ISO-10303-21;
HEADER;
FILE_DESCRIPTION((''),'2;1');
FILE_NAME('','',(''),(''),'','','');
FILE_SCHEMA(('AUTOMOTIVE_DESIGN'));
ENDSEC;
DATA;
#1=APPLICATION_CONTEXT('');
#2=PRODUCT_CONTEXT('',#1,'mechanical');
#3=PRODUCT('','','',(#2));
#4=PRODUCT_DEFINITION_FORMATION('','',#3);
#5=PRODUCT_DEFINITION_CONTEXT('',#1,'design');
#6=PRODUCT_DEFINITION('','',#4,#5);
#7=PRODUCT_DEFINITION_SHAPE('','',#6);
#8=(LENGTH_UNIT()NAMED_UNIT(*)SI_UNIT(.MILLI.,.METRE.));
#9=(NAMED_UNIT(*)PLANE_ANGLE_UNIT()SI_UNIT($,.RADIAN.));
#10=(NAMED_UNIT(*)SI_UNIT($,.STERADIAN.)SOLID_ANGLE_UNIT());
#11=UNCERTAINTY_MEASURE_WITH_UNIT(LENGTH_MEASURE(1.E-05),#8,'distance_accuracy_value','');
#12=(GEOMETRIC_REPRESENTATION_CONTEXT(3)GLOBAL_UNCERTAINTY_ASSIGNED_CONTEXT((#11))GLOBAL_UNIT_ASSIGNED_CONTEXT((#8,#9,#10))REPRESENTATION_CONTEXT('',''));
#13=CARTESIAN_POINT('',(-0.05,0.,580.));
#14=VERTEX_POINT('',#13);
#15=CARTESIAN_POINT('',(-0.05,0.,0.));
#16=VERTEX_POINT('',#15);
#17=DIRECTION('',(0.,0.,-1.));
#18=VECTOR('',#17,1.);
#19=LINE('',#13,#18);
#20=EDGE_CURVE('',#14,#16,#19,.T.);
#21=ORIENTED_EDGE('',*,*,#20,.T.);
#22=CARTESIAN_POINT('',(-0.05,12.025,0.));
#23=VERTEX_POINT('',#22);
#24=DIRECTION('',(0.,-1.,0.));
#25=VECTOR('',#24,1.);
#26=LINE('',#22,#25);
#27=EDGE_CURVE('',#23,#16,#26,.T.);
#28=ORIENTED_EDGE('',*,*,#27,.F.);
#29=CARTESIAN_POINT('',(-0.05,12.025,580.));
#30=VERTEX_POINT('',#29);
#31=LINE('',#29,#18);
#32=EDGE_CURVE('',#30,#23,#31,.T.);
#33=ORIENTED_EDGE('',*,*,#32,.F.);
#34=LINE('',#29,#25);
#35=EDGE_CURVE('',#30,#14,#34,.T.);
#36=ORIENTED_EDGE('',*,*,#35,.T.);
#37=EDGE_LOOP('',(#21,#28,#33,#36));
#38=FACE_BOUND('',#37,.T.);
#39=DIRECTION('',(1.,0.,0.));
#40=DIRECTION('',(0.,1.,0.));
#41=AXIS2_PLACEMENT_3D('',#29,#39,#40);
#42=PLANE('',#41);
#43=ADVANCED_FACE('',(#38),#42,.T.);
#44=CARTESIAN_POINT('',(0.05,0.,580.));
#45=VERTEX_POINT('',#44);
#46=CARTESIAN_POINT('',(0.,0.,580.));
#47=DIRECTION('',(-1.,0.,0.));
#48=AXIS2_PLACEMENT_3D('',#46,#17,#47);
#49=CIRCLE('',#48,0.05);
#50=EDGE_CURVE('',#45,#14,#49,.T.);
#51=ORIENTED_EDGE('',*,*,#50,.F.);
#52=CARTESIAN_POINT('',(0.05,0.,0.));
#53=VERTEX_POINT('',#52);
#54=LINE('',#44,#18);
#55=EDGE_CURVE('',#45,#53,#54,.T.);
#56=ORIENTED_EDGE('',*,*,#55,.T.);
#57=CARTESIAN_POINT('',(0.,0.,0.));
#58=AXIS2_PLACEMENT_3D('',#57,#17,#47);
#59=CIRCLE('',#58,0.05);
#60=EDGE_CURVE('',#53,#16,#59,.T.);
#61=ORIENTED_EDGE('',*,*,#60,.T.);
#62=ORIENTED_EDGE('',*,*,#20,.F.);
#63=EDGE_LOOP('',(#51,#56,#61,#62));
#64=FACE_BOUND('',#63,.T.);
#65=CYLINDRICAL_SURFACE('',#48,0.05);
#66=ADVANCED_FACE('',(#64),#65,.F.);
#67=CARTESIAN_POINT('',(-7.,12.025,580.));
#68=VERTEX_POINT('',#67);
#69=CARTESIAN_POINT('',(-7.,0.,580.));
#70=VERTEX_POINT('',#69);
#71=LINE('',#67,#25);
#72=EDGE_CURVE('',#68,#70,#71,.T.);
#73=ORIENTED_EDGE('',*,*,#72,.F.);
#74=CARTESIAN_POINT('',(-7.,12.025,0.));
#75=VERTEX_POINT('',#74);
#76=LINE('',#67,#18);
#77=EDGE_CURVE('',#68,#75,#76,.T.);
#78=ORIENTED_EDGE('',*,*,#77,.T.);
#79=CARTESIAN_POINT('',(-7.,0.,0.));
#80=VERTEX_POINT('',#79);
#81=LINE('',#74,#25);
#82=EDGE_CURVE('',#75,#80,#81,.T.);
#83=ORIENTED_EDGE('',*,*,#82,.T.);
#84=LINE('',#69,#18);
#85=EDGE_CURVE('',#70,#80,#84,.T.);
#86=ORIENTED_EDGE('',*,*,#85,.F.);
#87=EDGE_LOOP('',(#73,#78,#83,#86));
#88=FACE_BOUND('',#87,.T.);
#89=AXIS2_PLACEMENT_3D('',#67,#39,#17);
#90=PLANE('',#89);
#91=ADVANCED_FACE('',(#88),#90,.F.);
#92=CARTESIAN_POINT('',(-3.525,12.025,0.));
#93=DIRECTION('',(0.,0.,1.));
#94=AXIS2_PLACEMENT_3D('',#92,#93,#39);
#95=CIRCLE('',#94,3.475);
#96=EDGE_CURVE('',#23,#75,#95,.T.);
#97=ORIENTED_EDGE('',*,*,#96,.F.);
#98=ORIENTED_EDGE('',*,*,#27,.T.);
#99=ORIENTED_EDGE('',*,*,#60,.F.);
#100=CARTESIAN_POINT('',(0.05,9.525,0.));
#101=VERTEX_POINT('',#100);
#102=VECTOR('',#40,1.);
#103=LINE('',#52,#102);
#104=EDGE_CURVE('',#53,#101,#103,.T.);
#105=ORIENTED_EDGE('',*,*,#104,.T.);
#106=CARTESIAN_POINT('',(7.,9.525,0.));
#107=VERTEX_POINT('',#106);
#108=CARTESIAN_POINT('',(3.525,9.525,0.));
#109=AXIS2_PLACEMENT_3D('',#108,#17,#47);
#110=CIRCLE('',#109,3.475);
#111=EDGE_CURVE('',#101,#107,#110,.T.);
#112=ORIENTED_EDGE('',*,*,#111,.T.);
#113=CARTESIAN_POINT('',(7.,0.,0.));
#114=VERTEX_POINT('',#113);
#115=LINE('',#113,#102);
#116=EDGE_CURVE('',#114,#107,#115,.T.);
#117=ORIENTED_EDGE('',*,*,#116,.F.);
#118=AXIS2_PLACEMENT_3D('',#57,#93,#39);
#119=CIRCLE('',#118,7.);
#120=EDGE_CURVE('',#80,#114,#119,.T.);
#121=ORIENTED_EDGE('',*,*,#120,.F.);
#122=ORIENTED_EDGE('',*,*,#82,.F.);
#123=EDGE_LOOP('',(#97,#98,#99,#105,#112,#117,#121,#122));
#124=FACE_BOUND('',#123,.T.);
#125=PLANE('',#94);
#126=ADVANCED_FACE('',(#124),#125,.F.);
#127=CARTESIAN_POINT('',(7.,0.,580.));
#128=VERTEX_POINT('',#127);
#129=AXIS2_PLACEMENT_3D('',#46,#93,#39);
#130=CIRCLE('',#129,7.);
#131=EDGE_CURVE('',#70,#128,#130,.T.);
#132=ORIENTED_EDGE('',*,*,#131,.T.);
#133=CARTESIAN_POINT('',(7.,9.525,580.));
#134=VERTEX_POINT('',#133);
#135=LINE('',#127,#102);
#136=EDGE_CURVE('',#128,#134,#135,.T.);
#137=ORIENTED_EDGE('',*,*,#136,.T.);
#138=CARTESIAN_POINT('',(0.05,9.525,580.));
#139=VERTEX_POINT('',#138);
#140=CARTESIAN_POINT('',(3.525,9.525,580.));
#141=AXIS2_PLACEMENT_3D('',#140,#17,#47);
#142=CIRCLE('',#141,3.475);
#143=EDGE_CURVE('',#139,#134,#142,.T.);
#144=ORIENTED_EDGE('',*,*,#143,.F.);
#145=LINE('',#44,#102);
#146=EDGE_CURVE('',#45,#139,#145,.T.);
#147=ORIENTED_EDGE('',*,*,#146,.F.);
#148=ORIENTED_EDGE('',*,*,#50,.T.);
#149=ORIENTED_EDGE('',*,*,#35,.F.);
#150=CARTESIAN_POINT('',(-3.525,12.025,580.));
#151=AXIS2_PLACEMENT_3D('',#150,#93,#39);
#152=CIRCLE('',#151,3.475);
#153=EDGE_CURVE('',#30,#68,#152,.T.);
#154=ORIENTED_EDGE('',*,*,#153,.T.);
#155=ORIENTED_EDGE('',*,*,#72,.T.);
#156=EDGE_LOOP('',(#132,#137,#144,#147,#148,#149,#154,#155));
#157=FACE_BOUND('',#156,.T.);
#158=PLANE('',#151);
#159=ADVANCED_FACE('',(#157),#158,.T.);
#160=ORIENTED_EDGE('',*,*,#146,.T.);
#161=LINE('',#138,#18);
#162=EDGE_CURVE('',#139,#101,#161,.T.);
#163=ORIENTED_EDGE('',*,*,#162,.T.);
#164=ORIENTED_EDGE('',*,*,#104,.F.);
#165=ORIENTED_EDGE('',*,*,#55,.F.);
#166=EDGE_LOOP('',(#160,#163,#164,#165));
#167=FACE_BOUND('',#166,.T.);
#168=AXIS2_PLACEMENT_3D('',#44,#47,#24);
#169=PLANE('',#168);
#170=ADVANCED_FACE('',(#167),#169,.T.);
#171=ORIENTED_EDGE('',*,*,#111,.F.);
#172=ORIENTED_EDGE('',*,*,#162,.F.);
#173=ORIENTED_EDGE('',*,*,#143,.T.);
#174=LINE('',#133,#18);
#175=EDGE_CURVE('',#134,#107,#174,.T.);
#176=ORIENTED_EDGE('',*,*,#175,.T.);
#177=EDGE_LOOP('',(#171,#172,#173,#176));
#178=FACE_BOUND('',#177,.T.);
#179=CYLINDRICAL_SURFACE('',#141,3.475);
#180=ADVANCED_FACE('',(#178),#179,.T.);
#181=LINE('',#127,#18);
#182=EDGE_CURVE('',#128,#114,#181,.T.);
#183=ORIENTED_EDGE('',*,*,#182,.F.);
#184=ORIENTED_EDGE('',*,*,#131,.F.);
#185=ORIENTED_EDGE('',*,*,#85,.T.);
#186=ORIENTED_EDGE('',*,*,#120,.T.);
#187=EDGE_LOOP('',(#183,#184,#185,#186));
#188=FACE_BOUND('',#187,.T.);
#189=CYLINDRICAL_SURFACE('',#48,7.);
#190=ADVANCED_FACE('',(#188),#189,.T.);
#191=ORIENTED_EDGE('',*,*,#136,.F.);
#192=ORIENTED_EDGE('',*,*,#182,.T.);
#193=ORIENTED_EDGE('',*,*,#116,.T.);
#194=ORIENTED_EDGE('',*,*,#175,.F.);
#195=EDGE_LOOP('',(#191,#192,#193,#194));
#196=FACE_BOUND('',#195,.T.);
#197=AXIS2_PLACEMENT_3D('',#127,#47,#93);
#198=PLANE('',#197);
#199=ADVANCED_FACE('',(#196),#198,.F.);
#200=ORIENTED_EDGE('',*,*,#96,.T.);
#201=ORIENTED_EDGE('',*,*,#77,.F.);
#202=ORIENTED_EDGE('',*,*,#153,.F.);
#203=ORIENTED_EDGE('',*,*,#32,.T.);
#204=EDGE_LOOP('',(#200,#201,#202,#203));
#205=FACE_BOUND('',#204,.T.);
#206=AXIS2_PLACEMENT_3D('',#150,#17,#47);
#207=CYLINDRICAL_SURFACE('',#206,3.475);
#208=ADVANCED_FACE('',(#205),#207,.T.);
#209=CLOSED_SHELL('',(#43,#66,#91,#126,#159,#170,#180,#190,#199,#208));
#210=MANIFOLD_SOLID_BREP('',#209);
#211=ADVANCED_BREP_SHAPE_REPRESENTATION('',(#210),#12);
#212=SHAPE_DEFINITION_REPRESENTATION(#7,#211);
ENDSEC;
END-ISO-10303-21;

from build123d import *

# Parameters (mm, degrees)
BOSS_EXTRUDE4_DEPTH = 580


with BuildPart() as part:
    # Sketch1 → Boss-Extrude4 (new body)
    with BuildSketch(Plane.XY):
        with BuildLine():
            Line((-0.05, 12.024999955), (-0.05, 0))
            ThreePointArc((-0.05, 0), (0, -0.05), (0.05, 0))
            Line((0.05, 0), (0.05, 9.524999955))
            ThreePointArc((0.05, 9.524999955), (3.525000015, 12.99999997), (7.00000003, 9.524999955))
            Line((7.00000003, 9.524999955), (7.00000003, 0))
            ThreePointArc((7.00000003, 0), (0, -7.00000003), (-7.00000003, 0))
            Line((-7.00000003, 0), (-7.00000003, 12.024999955))
            ThreePointArc((-7.00000003, 12.024999955), (-3.525000015, 15.49999997), (-0.05, 12.024999955))
        make_face()
    extrude(amount=BOSS_EXTRUDE4_DEPTH)


solid = part.part
